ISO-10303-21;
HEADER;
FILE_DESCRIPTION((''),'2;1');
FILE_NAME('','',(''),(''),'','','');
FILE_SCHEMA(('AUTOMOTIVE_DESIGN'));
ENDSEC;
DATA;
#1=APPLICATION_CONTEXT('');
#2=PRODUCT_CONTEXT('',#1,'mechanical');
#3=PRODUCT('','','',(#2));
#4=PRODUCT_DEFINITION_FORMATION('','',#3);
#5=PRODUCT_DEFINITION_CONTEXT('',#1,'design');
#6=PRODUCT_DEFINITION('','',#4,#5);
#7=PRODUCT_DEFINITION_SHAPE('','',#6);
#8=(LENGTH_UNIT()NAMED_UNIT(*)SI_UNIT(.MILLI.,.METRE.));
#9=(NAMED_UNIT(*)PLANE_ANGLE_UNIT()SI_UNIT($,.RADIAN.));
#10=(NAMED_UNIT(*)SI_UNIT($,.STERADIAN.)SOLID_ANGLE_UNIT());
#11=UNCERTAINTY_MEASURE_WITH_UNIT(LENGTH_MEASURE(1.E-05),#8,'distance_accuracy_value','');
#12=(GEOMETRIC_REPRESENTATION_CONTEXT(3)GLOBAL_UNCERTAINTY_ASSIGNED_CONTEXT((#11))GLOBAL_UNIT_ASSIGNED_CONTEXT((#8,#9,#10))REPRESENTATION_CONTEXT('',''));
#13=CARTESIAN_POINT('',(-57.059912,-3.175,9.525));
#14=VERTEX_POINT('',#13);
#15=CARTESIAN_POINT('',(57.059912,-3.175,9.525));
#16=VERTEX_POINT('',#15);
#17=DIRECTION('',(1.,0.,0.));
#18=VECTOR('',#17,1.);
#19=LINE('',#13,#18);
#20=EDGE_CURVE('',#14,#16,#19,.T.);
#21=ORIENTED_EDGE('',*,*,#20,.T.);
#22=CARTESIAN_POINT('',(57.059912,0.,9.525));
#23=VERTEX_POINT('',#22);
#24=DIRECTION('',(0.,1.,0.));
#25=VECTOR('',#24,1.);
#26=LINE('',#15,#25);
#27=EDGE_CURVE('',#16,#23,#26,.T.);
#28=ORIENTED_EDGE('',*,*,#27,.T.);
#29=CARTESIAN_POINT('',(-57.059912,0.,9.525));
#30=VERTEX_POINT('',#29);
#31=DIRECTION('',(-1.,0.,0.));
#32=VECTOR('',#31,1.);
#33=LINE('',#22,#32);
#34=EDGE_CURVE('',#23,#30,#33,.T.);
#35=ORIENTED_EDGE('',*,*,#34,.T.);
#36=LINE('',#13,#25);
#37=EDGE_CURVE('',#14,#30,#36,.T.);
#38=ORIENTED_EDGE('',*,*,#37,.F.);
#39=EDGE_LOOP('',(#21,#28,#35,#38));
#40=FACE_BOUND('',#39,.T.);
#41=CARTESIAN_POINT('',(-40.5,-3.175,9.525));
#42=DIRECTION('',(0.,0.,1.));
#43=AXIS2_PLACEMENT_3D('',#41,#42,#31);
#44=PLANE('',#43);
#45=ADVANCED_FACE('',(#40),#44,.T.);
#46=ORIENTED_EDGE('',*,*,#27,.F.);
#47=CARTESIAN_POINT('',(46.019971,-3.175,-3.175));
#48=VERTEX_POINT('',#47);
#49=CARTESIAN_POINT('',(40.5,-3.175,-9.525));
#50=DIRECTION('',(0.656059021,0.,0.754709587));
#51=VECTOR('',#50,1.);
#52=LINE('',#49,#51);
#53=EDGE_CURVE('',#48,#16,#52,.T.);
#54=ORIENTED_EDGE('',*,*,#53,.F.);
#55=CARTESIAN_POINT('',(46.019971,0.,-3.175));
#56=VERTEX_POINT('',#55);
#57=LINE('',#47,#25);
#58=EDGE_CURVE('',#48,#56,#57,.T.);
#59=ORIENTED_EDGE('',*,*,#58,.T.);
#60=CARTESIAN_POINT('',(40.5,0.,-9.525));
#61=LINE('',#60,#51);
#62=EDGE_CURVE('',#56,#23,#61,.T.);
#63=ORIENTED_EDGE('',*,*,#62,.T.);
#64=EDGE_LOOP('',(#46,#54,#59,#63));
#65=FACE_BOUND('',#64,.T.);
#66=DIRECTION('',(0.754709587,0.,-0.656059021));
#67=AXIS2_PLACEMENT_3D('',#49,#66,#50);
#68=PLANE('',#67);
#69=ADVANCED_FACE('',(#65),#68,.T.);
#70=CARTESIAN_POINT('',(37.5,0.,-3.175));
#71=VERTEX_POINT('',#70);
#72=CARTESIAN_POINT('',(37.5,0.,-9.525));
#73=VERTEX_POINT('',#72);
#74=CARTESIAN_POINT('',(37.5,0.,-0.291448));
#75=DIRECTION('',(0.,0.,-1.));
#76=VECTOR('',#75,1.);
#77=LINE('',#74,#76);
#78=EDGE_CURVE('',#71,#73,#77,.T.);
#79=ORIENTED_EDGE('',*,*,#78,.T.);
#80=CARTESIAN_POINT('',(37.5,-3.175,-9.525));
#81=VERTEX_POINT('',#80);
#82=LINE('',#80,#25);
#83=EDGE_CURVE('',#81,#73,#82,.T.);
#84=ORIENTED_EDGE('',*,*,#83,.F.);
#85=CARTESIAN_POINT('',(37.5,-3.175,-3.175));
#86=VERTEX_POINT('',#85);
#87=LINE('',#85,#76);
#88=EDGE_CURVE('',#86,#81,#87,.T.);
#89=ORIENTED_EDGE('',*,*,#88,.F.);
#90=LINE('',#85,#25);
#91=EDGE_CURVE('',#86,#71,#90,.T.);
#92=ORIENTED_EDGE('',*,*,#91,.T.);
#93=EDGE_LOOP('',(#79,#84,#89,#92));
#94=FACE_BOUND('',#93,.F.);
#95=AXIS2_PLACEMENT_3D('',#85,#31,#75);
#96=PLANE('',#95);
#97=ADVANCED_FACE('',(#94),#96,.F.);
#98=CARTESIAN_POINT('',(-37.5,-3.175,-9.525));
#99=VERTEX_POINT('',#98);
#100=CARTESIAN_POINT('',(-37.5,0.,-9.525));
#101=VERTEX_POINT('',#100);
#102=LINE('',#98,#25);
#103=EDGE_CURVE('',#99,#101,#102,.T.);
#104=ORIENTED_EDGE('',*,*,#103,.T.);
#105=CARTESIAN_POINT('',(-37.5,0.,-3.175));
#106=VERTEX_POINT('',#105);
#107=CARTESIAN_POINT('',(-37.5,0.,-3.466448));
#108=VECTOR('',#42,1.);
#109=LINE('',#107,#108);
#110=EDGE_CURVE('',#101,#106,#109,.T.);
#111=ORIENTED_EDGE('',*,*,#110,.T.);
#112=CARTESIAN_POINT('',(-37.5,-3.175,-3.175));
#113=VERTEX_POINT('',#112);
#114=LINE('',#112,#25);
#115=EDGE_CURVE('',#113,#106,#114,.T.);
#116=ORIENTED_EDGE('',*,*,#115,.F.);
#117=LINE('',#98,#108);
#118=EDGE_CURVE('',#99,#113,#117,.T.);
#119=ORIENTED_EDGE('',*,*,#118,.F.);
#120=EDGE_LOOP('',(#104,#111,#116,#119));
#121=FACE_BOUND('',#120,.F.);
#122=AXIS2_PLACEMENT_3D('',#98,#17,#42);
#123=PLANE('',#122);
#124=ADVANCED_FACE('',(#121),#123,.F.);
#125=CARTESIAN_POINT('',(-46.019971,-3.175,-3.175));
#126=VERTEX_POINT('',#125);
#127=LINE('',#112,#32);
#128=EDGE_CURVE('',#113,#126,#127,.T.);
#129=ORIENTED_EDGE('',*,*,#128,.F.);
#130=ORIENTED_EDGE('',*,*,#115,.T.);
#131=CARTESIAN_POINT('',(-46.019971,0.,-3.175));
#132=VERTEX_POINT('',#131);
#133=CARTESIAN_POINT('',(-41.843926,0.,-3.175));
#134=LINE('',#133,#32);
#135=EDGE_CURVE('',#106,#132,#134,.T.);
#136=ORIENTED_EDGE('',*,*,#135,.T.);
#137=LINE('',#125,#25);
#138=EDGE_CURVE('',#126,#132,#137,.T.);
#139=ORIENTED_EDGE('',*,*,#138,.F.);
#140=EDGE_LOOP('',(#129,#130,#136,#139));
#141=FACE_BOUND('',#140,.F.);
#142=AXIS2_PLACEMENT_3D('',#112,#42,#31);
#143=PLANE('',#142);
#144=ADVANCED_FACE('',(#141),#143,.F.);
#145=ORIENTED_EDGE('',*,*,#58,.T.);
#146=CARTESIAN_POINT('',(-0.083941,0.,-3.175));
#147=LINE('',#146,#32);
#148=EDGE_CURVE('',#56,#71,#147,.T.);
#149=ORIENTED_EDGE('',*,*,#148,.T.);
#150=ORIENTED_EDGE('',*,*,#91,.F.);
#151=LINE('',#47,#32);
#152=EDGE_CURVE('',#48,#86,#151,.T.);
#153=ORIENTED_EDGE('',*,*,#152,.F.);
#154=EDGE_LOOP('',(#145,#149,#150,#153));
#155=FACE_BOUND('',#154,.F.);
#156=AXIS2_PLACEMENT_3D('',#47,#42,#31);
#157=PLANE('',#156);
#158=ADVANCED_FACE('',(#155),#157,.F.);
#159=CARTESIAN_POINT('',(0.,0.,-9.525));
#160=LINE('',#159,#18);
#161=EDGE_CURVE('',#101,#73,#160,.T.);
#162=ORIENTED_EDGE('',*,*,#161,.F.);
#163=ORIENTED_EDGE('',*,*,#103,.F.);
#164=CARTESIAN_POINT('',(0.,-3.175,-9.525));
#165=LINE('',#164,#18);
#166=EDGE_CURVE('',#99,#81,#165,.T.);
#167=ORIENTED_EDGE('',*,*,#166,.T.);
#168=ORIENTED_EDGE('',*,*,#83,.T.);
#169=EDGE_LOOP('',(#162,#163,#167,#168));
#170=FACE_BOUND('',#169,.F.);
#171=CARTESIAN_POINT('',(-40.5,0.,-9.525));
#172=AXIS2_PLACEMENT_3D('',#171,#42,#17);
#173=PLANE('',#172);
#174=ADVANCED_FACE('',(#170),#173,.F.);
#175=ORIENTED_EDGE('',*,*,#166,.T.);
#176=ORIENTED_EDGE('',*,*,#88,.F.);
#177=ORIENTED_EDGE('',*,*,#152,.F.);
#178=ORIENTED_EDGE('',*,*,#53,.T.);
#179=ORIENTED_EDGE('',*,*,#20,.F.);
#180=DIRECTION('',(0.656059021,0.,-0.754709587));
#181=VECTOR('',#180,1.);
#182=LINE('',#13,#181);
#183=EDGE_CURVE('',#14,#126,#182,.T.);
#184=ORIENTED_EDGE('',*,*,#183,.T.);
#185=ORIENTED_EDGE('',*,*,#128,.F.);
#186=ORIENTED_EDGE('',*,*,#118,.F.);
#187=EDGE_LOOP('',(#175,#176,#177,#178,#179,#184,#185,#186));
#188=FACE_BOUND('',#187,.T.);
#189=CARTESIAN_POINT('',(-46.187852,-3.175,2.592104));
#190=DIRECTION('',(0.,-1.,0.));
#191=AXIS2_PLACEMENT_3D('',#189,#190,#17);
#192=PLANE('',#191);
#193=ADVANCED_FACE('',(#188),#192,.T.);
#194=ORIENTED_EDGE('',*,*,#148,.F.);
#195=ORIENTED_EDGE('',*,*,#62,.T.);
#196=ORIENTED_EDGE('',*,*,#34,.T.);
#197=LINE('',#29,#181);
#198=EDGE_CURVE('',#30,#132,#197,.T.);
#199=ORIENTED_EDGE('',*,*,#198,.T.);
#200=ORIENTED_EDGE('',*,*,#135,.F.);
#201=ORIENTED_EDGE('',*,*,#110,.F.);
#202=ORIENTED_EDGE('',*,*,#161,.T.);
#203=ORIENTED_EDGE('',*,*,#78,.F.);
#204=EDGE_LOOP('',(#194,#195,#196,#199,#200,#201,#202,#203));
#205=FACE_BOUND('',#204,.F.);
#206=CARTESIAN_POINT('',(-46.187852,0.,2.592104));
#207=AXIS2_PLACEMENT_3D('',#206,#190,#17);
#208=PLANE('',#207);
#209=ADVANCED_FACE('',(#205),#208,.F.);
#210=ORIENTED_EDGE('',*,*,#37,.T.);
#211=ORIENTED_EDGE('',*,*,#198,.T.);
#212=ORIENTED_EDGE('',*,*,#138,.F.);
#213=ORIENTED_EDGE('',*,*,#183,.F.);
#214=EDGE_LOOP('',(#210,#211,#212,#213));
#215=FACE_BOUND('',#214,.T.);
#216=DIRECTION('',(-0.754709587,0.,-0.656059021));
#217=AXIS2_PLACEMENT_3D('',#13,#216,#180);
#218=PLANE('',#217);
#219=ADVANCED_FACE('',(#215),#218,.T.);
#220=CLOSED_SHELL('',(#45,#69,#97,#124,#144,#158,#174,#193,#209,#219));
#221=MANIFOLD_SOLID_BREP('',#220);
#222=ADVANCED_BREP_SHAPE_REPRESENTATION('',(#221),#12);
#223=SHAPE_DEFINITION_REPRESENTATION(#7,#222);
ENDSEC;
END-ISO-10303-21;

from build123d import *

# Parameters (mm, degrees)
F0_W     = 81
F0_H     = 19.05
F1_DEPTH = 3.175
F3_DEPTH = 3.175
F5_DEPTH = 25.4


with BuildPart() as f1:
    # F0 (on Front) → F1 (new body)
    with BuildSketch(Plane.XZ):
        Rectangle(F0_W, F0_H)
    extrude(amount=F1_DEPTH)

    # F2 (on face) → F3 (join)
    with BuildSketch(Plane.XZ.offset(3.175)):
        Polygon((-40.5, -9.525), (-40.5, 9.525), (-57.059912, 9.525), align=None)
        Polygon((57.059912, 9.525), (40.5, 9.525), (40.5, -9.525), align=None)
    extrude(amount=-F3_DEPTH)

    # F4 (on face) → F5 (cut)
    with BuildSketch(Plane.XZ.offset(3.175)):
        Polygon((-40.5, -9.525), (-37.5, -9.525), (-37.5, -3.175), (-46.019971, -3.175), align=None)
        Polygon((46.019971, -3.175), (37.5, -3.175), (37.5, -9.525), (40.5, -9.525), align=None)
    extrude(amount=-F5_DEPTH, mode=Mode.SUBTRACT)


solid = f1.part
